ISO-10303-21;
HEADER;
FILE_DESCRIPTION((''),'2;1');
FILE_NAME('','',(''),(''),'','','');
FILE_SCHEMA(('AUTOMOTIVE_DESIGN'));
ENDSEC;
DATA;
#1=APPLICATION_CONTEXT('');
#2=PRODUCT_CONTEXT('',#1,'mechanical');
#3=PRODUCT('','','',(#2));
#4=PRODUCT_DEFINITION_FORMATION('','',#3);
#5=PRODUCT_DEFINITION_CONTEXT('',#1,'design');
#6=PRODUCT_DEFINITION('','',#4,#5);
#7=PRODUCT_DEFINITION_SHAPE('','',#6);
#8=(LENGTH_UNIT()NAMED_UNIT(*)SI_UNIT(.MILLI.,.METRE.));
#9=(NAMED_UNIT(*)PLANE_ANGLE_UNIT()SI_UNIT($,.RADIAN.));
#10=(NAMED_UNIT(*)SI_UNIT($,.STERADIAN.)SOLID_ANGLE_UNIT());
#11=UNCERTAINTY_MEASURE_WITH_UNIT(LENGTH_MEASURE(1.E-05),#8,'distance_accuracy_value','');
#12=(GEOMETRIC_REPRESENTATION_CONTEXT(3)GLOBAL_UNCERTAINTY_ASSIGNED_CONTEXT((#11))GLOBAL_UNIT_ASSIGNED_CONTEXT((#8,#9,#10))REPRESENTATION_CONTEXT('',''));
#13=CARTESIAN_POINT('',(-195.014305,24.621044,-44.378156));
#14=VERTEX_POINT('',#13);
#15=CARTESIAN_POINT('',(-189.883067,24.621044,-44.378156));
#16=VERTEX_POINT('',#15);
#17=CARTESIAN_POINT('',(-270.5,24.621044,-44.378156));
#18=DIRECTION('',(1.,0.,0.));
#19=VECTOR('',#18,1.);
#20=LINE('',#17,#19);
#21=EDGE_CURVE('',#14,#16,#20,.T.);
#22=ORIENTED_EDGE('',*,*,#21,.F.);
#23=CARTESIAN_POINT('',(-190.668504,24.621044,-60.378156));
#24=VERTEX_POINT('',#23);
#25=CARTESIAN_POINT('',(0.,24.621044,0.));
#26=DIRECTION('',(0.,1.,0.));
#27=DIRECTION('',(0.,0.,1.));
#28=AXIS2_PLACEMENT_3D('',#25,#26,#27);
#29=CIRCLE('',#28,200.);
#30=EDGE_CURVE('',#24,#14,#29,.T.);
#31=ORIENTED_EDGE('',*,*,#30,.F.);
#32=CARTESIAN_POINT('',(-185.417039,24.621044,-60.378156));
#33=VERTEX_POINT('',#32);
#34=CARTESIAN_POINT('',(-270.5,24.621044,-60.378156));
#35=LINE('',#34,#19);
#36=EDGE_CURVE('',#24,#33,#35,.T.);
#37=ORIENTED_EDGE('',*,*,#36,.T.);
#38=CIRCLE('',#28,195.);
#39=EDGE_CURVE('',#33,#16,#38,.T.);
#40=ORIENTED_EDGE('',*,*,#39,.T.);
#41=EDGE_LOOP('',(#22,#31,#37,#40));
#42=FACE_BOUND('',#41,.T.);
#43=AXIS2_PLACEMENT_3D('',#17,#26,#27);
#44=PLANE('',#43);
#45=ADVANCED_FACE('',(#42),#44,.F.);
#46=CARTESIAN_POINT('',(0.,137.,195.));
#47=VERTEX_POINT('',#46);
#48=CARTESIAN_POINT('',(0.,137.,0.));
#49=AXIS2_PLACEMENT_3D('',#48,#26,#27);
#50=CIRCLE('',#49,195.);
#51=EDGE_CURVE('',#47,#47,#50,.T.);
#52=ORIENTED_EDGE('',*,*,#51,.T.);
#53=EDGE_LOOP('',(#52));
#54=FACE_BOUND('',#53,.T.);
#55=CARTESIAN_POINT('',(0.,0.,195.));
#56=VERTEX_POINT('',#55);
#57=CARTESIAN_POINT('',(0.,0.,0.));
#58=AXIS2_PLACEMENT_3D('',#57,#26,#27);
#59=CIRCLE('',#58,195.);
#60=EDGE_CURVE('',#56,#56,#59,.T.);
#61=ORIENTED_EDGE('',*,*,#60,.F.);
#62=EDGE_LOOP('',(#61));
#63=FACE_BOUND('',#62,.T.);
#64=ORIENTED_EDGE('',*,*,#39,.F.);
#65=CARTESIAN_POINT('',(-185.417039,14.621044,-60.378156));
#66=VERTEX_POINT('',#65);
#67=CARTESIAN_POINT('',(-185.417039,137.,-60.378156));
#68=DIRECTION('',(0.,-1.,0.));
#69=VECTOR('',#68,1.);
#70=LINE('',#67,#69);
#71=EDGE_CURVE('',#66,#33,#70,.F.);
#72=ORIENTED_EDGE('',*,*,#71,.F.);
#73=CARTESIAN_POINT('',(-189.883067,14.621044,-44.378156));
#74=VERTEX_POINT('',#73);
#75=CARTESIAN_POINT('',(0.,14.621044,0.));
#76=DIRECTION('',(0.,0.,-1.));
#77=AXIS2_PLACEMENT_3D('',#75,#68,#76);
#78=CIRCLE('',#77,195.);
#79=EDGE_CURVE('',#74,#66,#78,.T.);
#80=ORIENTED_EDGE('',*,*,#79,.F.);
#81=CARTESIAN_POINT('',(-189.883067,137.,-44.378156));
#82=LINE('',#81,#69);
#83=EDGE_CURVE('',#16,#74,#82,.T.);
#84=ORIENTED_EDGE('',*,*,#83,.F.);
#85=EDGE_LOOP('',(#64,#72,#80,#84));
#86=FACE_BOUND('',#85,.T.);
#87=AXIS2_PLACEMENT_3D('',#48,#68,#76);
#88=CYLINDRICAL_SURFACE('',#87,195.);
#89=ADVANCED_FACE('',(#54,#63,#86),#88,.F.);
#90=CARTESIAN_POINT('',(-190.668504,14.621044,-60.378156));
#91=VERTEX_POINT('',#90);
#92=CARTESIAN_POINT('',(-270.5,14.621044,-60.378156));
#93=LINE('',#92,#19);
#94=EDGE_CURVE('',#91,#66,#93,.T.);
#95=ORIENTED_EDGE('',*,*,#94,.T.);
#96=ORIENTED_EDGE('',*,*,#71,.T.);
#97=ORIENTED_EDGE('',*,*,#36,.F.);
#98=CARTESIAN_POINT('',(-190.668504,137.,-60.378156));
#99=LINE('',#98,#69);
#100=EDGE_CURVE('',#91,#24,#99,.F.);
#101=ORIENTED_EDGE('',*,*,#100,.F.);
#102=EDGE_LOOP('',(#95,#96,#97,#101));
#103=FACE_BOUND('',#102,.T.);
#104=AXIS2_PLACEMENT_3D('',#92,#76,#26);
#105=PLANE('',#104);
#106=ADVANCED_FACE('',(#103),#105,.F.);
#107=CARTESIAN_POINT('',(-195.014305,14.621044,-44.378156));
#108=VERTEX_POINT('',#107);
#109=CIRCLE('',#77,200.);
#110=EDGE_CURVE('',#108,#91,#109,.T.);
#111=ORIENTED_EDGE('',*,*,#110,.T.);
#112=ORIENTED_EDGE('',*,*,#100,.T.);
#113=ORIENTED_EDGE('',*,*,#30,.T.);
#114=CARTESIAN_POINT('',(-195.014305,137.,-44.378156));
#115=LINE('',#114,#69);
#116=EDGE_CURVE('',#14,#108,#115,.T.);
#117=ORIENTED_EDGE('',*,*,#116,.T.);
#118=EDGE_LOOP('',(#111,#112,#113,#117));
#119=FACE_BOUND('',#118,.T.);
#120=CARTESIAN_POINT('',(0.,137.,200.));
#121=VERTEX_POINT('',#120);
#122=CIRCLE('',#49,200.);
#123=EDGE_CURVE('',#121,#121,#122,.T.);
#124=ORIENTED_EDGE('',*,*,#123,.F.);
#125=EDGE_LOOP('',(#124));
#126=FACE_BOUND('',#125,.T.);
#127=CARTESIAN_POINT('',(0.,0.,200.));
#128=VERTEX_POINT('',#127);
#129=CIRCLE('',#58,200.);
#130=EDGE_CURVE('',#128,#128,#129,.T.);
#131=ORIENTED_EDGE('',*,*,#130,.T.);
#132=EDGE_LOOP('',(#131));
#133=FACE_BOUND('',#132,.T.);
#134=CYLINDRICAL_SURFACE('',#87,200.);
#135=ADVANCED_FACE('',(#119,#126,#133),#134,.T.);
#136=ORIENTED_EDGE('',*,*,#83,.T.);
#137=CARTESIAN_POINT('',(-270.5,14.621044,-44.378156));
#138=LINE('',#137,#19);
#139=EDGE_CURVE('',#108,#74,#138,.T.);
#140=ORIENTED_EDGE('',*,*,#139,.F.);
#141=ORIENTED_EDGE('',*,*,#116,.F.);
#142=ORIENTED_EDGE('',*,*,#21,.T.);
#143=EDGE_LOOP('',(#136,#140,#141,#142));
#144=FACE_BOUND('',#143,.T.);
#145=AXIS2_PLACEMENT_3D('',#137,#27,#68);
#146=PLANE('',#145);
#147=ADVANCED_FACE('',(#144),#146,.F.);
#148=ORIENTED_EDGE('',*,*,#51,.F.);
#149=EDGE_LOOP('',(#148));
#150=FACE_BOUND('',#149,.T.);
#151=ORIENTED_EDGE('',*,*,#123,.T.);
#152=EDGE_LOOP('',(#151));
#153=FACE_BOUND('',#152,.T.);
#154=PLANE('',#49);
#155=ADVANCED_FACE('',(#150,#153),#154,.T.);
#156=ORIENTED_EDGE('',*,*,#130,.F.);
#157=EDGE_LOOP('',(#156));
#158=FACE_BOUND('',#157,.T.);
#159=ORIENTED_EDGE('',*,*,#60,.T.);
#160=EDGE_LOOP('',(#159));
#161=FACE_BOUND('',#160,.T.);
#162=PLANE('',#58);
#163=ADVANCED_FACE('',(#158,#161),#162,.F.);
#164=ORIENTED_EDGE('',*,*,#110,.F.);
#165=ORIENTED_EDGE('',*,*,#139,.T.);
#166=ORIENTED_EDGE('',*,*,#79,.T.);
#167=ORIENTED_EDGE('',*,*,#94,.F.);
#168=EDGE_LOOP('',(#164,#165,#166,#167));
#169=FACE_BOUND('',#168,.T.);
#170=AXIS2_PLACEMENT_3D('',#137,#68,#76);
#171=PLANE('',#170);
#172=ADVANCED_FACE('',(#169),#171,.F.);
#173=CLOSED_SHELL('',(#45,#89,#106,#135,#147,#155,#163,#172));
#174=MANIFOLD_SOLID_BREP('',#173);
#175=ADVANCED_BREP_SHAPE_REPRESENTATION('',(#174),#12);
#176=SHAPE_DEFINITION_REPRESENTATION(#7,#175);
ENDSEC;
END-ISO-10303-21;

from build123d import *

# Parameters (mm, degrees)
SKETCH1_R           = 200
SKETCH1_R_2         = 195
BOSS_EXTRUDE1_DEPTH = 137
SKETCH2_W           = 16
SKETCH2_H           = 10
CUT_EXTRUDE1_DEPTH  = 70.5


with BuildPart() as part:
    # Sketch1 → Boss-Extrude1 (new body)
    with BuildSketch(Plane(origin=(0, 0, 0), x_dir=(1, 0, 0), z_dir=(0, 1, 0))):
        with Locations(Location((0, 0, 0), (0, 0, 270))):
            Circle(SKETCH1_R)
        with Locations(Location((0, 0, 0), (0, 0, 270))):
            Circle(SKETCH1_R_2, mode=Mode.SUBTRACT)
    extrude(amount=BOSS_EXTRUDE1_DEPTH)

    # Sketch2 → Cut-Extrude1 (cut, symmetric)
    with BuildSketch(Plane(origin=(-200, 0, 0), x_dir=(0, 0, -1), z_dir=(1, 0, 0))):
        with Locations((52.378156189, 19.62104378)):
            Rectangle(SKETCH2_W, SKETCH2_H)
    extrude(amount=CUT_EXTRUDE1_DEPTH, both=True, mode=Mode.SUBTRACT)


solid = part.part
